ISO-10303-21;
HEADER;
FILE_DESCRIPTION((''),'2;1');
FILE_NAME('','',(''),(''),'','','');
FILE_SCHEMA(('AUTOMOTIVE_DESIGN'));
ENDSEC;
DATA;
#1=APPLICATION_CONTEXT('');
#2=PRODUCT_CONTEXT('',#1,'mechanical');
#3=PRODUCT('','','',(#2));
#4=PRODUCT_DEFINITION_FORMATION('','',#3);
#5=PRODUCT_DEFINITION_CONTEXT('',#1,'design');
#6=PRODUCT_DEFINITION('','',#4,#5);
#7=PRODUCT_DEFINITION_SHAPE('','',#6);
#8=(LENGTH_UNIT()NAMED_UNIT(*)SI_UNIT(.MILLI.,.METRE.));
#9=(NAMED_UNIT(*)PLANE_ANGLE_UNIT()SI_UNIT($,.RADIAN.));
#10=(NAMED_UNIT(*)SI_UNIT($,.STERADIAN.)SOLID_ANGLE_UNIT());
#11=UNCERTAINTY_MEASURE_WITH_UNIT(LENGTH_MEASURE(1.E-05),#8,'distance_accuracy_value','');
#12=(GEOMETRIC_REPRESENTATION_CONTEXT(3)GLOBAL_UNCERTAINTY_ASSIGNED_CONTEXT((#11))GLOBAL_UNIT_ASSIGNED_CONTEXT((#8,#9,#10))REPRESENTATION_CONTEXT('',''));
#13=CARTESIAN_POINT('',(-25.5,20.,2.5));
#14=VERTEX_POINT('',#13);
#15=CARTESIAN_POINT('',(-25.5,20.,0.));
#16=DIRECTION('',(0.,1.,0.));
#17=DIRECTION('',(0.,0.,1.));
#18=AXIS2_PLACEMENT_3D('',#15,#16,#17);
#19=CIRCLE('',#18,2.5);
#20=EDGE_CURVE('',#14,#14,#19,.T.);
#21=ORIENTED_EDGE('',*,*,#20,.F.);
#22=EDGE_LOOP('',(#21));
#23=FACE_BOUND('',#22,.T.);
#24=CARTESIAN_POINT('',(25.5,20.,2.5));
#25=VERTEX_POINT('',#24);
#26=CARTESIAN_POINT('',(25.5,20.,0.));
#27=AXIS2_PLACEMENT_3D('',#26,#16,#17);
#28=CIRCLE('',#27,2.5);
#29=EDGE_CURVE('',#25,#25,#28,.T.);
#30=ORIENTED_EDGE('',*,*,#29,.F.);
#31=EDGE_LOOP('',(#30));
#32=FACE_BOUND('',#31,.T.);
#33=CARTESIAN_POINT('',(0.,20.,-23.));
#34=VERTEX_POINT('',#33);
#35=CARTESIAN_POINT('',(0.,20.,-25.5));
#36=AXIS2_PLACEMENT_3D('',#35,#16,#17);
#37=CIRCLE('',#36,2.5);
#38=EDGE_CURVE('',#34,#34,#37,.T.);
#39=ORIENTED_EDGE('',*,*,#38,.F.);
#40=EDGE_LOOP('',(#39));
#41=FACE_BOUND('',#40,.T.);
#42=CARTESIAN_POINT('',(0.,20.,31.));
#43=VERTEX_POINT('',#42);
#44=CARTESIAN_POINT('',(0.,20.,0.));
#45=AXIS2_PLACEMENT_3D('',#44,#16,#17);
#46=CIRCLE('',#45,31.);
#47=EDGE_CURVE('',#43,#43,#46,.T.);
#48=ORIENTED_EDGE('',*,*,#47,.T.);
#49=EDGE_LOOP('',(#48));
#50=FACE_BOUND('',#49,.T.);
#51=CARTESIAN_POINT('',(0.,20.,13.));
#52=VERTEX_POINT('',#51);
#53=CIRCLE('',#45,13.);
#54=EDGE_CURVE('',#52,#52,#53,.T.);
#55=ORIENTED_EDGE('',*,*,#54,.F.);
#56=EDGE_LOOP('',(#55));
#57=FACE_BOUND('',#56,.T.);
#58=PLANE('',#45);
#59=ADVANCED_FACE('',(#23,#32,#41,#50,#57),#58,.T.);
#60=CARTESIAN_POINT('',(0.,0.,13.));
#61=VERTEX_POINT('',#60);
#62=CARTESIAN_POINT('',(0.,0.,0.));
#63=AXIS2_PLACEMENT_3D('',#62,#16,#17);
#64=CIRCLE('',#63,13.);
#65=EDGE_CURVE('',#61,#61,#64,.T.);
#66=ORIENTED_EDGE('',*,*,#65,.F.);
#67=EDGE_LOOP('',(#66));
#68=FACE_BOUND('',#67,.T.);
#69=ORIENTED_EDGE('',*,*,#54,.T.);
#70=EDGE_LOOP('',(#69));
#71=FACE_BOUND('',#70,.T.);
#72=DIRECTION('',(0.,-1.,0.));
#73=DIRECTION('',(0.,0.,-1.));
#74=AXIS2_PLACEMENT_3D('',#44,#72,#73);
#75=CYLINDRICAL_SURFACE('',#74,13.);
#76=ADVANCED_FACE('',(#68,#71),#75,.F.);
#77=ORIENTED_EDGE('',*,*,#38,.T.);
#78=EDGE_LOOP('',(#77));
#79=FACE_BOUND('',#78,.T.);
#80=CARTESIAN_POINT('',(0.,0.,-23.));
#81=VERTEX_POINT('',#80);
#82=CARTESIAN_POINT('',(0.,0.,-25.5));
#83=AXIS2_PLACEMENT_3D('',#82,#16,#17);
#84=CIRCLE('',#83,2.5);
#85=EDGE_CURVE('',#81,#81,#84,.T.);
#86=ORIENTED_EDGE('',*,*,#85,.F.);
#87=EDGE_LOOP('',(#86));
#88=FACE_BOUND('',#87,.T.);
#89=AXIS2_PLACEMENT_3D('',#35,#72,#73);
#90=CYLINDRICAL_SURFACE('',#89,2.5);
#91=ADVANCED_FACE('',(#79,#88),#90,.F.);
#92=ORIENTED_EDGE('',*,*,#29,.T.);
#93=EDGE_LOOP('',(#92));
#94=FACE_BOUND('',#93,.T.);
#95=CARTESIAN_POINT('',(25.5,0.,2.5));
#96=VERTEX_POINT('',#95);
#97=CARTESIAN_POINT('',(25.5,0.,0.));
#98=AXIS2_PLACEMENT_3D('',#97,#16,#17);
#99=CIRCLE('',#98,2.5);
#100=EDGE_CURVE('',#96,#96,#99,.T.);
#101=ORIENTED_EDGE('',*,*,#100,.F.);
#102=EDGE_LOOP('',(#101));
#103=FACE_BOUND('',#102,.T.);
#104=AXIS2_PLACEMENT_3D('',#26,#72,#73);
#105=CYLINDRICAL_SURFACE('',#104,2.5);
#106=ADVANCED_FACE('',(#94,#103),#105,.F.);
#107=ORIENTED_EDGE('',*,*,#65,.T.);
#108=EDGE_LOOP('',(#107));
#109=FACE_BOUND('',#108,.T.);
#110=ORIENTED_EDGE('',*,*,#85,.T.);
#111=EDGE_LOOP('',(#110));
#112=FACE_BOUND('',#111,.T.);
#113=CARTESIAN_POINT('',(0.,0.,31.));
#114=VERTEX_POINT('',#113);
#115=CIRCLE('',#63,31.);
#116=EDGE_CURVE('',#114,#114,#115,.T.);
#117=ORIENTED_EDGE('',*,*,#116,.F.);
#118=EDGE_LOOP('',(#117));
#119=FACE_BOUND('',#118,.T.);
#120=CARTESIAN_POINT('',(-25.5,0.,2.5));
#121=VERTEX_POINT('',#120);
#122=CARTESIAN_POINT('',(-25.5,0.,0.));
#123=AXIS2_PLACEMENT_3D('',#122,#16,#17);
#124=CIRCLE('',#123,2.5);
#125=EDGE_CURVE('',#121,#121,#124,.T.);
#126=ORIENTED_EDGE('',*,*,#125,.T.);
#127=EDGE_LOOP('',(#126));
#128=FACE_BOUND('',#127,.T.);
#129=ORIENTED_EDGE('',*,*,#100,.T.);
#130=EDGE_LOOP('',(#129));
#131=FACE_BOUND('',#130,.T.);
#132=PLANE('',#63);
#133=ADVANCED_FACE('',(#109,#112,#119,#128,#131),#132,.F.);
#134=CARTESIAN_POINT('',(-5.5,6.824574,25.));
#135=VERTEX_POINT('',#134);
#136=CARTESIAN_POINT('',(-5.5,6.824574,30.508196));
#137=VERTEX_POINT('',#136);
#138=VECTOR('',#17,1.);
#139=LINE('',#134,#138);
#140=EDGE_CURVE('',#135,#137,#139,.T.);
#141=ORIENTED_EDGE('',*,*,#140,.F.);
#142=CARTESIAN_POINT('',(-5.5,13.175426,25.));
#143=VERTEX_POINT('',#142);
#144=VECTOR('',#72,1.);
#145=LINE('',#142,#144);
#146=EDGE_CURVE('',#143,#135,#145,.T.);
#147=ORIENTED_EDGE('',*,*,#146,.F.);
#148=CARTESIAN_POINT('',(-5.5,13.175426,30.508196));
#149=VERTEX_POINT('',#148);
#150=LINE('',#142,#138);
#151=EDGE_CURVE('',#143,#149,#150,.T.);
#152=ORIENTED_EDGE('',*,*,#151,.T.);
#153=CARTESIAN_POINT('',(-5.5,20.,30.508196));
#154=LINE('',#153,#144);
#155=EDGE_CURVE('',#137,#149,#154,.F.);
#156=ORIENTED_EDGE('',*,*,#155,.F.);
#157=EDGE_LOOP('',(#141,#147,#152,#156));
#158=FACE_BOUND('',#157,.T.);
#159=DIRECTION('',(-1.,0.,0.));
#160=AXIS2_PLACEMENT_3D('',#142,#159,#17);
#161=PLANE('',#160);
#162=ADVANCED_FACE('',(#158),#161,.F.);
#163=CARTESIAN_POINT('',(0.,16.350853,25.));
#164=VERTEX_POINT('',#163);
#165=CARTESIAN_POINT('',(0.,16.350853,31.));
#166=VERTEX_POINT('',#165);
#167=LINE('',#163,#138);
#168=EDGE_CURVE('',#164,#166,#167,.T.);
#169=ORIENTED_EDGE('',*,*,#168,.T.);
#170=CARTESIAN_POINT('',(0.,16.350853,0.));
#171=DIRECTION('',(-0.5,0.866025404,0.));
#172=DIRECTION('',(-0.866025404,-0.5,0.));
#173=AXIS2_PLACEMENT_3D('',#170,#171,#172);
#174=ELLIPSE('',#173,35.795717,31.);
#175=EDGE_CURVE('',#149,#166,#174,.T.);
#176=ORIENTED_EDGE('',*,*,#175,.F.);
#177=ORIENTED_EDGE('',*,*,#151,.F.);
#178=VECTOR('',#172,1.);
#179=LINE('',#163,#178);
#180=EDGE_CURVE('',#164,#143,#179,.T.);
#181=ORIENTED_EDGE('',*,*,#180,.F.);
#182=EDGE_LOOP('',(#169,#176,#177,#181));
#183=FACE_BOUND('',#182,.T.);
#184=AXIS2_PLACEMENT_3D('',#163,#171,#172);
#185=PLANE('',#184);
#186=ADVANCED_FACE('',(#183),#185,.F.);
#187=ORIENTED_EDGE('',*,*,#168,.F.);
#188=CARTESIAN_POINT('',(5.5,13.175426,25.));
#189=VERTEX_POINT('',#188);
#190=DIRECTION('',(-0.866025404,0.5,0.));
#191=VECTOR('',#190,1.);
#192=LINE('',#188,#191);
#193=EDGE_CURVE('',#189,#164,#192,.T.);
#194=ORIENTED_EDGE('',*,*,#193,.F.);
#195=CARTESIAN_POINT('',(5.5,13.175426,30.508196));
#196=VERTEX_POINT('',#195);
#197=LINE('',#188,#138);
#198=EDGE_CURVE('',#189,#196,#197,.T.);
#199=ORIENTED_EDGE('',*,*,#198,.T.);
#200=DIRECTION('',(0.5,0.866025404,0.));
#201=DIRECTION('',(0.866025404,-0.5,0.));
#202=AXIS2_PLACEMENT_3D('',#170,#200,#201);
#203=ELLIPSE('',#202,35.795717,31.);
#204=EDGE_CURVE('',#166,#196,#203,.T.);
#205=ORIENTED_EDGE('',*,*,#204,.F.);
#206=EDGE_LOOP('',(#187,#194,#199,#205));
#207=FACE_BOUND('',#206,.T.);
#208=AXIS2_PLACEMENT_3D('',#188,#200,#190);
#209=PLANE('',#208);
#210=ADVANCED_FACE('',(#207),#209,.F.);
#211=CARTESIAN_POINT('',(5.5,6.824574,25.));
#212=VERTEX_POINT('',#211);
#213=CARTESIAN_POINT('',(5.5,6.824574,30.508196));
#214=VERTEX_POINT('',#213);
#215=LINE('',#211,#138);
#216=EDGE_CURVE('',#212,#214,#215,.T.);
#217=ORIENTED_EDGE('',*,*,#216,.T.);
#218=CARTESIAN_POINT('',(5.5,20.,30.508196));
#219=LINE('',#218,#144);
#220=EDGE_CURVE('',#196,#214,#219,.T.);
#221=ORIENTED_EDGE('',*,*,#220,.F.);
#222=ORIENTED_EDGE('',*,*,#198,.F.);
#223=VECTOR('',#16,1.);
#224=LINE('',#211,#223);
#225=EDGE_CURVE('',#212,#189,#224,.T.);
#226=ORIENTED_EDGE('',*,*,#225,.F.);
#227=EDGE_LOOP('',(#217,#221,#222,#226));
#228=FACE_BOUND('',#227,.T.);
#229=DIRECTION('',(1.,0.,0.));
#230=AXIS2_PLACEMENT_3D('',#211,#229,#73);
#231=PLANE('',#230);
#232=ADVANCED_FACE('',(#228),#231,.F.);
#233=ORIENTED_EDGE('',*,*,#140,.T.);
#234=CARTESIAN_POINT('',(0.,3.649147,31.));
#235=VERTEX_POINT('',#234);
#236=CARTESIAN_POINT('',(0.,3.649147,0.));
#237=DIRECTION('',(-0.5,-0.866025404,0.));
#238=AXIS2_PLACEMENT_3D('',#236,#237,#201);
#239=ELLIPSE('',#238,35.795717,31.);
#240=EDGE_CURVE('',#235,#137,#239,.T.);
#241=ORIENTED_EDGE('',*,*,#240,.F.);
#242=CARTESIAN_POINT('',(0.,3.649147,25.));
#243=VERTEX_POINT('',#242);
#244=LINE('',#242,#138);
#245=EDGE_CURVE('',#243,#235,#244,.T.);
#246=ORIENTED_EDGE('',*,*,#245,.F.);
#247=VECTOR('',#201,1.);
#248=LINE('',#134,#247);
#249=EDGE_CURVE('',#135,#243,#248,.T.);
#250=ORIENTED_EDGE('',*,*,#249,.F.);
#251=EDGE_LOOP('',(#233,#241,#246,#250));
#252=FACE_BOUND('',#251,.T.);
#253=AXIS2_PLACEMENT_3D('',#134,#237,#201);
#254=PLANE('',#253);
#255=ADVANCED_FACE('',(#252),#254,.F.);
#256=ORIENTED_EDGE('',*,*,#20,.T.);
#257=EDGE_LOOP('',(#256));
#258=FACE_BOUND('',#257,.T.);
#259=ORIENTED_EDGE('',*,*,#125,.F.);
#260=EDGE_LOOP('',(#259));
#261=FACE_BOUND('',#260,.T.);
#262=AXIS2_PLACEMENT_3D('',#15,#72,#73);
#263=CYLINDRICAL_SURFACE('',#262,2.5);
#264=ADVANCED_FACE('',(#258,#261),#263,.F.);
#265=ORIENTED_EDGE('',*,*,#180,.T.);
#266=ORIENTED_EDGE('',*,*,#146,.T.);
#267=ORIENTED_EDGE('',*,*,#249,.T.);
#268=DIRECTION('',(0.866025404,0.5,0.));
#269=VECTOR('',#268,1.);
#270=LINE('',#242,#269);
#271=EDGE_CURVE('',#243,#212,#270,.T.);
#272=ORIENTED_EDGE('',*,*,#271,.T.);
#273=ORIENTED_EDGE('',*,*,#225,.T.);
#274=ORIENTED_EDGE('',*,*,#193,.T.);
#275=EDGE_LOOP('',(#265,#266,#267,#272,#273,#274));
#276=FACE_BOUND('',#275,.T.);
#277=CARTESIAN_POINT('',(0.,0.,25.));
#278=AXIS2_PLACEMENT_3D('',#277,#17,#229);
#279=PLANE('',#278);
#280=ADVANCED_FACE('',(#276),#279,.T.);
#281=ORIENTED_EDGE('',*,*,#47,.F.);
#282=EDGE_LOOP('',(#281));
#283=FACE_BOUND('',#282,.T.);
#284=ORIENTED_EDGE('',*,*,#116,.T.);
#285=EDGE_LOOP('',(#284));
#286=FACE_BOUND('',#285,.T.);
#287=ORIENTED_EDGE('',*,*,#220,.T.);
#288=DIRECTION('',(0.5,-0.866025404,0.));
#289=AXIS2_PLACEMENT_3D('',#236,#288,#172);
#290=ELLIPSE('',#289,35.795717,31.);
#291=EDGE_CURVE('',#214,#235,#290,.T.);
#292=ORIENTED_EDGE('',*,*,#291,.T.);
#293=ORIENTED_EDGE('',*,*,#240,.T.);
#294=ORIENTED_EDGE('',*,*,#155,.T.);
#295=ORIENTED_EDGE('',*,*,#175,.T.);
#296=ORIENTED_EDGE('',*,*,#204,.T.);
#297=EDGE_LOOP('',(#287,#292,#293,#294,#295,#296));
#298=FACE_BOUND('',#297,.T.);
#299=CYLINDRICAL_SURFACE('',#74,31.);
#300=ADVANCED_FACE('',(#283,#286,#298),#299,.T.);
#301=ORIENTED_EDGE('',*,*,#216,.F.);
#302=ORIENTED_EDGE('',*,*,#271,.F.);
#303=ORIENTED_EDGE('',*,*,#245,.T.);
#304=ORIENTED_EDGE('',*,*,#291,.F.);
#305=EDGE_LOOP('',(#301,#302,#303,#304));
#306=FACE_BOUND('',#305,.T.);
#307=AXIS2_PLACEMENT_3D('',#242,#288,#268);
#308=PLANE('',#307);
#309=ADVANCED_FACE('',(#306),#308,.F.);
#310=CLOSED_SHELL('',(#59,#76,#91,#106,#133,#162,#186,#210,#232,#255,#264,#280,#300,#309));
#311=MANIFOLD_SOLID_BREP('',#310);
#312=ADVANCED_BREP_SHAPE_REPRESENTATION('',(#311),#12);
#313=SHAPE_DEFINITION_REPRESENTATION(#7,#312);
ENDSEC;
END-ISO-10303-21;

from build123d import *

# Parameters (mm, degrees)
SKETCH1_R           = 31
SKETCH1_R_2         = 13
SKETCH1_R_3         = 2.5
BOSS_EXTRUDE1_DEPTH = 20
CUT_EXTRUDE1_DEPTH  = 15


with BuildPart() as part:
    # Sketch1 → Boss-Extrude1 (new body)
    with BuildSketch(Plane(origin=(0, 0, 0), x_dir=(1, 0, 0), z_dir=(0, 1, 0))):
        with Locations(Location((0, 0, 0), (0, 0, 270))):
            Circle(SKETCH1_R)
        with Locations(Location((0, 0, 0), (0, 0, 270))):
            Circle(SKETCH1_R_2, mode=Mode.SUBTRACT)
        with Locations(Location((0, 25.5, 0), (0, 0, 270))):
            Circle(SKETCH1_R_3, mode=Mode.SUBTRACT)
        with Locations(Location((-25.5, 0, 0), (0, 0, 270))):
            Circle(SKETCH1_R_3, mode=Mode.SUBTRACT)
        with Locations(Location((25.5, 0, 0), (0, 0, 270))):
            Circle(SKETCH1_R_3, mode=Mode.SUBTRACT)
    extrude(amount=BOSS_EXTRUDE1_DEPTH)

    # Sketch3 → Cut-Extrude1 (cut)
    with BuildSketch(Plane.XY.offset(40)):
        Polygon((-5.5, 6.824573519), (0, 3.649147039), (5.5, 6.824573519), (5.5, 13.175426481), (0, 16.350852961), (-5.5, 13.175426481), align=None)
    extrude(amount=-CUT_EXTRUDE1_DEPTH, mode=Mode.SUBTRACT)


solid = part.part
